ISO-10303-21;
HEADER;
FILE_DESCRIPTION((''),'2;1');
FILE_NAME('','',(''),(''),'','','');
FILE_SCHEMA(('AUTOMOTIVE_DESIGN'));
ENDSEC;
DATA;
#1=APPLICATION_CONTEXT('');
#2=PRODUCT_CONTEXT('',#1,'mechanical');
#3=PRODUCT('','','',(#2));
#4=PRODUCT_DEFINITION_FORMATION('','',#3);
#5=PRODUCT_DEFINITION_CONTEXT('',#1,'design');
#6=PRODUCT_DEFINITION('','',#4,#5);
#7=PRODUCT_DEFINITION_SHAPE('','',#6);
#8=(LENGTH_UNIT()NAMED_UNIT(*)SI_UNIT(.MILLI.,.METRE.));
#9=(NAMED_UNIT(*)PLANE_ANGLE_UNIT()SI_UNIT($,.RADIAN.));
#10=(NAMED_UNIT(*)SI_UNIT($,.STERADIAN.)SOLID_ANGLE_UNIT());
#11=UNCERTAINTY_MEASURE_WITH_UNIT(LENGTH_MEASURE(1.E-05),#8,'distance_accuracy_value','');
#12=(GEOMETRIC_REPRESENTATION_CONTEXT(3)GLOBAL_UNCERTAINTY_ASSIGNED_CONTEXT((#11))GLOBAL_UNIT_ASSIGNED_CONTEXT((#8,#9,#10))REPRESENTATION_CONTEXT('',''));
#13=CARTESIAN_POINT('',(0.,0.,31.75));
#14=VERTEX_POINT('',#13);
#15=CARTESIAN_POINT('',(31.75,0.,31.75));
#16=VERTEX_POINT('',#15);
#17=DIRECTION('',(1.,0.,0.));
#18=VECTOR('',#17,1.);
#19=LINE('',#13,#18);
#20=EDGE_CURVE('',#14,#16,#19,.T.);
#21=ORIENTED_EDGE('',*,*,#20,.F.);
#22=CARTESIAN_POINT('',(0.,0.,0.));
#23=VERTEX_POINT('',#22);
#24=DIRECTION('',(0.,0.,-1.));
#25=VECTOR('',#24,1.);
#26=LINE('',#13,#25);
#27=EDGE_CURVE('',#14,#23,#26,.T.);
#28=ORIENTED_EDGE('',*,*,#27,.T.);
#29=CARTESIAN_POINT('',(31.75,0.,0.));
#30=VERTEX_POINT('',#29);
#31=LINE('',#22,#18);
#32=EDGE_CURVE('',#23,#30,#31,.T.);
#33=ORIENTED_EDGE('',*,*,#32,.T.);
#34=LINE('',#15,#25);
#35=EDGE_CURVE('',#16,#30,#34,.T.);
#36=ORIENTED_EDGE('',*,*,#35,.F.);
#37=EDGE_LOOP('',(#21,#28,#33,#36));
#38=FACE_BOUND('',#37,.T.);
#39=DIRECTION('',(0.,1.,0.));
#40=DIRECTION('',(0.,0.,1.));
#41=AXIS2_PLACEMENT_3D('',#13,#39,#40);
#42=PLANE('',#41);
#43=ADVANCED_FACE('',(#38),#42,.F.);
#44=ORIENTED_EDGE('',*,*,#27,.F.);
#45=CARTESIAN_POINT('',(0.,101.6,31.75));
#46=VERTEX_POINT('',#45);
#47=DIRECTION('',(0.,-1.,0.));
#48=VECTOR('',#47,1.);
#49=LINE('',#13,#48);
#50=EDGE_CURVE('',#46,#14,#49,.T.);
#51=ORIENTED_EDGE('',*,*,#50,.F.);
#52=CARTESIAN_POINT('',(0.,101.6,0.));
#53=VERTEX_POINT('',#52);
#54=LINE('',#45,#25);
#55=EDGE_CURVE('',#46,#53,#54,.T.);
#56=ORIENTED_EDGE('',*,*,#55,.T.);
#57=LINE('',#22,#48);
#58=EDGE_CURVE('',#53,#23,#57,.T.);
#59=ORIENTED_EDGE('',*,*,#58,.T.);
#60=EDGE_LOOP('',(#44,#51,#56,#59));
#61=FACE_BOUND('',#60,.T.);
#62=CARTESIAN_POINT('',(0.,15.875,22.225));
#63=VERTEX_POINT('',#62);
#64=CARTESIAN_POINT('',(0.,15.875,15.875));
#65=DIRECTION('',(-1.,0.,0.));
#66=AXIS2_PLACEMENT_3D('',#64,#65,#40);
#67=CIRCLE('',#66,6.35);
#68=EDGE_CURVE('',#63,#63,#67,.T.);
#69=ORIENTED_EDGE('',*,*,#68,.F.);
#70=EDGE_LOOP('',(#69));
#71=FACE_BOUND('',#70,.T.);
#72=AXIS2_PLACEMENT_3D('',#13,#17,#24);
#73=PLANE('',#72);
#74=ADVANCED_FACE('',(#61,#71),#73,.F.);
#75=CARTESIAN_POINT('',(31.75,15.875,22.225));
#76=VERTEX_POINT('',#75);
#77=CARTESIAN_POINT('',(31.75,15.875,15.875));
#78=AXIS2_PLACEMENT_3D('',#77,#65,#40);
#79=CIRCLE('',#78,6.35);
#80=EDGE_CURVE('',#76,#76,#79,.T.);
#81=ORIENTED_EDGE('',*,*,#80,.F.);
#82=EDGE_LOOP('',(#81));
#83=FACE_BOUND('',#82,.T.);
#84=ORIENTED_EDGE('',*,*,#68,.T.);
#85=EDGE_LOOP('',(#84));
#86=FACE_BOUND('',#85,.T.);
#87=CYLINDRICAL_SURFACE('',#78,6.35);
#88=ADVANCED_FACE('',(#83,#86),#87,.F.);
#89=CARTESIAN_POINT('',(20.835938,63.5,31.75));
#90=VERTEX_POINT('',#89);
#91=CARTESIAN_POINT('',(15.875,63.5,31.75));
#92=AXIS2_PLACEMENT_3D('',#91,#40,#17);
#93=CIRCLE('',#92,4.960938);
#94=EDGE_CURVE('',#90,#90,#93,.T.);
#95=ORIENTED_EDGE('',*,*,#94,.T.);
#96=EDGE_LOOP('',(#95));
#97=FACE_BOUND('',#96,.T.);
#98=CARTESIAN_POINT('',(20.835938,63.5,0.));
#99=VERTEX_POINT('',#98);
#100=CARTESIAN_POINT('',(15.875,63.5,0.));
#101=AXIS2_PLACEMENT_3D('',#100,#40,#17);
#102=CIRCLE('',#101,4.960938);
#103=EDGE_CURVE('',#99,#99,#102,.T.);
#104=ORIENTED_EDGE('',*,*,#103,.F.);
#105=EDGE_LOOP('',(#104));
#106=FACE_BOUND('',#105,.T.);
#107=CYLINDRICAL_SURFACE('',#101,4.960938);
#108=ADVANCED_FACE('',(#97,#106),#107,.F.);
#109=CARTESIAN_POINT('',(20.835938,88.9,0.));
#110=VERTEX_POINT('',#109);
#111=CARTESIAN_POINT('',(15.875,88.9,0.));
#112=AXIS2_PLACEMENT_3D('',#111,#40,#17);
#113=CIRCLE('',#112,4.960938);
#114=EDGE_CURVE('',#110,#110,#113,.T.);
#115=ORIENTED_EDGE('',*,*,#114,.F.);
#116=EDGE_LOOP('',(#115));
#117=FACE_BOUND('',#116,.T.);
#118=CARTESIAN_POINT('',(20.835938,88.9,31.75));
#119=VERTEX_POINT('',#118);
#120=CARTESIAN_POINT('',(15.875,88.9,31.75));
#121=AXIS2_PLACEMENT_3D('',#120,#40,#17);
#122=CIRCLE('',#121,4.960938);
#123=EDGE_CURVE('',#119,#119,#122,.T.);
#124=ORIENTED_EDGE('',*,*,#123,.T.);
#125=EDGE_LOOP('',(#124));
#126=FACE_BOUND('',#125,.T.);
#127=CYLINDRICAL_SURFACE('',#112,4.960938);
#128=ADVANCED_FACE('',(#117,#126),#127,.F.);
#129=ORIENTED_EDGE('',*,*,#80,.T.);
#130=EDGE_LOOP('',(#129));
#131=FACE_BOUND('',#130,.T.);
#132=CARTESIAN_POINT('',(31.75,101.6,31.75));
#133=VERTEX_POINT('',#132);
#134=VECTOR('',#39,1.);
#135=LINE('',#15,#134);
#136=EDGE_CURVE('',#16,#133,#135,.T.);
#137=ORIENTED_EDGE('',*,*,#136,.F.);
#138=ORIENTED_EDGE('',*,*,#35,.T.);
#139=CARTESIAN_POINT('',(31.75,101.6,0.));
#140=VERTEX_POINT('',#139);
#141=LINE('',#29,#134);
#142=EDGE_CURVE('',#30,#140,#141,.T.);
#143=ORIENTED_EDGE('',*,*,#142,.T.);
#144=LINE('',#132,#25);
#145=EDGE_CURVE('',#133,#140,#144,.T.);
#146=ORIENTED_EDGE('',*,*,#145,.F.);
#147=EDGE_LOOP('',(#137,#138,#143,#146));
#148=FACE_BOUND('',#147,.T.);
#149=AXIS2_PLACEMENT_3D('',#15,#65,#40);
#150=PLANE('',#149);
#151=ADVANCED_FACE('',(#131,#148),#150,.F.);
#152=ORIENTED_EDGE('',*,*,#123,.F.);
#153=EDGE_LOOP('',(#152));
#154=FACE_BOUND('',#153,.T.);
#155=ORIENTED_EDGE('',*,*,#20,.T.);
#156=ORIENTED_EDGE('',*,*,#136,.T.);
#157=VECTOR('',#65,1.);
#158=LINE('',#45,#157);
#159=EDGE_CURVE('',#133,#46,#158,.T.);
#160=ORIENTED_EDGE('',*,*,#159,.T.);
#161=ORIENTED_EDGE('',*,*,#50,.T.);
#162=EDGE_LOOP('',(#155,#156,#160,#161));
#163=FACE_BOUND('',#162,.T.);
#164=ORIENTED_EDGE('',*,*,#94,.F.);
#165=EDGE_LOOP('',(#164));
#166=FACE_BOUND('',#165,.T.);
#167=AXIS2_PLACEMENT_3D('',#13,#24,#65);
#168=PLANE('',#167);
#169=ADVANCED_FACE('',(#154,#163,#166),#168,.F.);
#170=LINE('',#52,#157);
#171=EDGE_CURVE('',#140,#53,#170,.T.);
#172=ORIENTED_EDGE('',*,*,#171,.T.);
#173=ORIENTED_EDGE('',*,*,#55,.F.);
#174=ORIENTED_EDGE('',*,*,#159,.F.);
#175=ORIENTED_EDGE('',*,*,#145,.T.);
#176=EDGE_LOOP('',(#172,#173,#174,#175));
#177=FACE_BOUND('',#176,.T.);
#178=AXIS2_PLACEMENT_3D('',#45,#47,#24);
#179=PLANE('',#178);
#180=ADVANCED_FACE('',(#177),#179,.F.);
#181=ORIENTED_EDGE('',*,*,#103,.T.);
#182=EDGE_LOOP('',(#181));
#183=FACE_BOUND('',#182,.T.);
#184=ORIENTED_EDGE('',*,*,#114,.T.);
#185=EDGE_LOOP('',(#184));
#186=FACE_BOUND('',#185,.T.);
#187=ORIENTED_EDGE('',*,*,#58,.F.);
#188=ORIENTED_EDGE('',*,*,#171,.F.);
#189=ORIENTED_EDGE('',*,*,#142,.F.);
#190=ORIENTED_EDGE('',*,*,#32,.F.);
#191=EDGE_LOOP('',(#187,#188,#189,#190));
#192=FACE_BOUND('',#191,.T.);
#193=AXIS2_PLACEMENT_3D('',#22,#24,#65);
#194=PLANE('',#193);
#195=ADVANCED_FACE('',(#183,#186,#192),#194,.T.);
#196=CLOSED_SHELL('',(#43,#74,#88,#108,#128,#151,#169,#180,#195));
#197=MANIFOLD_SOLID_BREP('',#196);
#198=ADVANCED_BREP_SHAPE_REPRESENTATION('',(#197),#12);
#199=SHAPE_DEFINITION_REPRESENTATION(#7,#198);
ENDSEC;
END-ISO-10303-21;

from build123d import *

# Parameters (mm, degrees)
SKETCH1_W           = 31.75
SKETCH1_H           = 101.6
BOSS_EXTRUDE1_DEPTH = 31.75
SKETCH2_R           = 4.9609375
CUT_EXTRUDE1_DEPTH  = 112.079633597
SKETCH3_R           = 6.35
CUT_EXTRUDE2_DEPTH  = 112.079633597


with BuildPart() as part:
    # Sketch1 → Boss-Extrude1 (new body)
    with BuildSketch(Plane.XY):
        with Locations((15.875, 50.8)):
            Rectangle(SKETCH1_W, SKETCH1_H)
    extrude(amount=BOSS_EXTRUDE1_DEPTH)

    # Sketch2 → Cut-Extrude1 (cut, through all)
    with BuildSketch(Plane.XY.offset(31.75)):
        with Locations((15.875, 88.9)):
            Circle(SKETCH2_R)
        with Locations((15.875, 63.5)):
            Circle(SKETCH2_R)
    extrude(amount=-CUT_EXTRUDE1_DEPTH, mode=Mode.SUBTRACT)

    # Sketch3 → Cut-Extrude2 (cut, through all)
    with BuildSketch(Plane.ZY):
        with Locations((15.875, 15.875)):
            Circle(SKETCH3_R)
    extrude(amount=-CUT_EXTRUDE2_DEPTH, mode=Mode.SUBTRACT)


solid = part.part
